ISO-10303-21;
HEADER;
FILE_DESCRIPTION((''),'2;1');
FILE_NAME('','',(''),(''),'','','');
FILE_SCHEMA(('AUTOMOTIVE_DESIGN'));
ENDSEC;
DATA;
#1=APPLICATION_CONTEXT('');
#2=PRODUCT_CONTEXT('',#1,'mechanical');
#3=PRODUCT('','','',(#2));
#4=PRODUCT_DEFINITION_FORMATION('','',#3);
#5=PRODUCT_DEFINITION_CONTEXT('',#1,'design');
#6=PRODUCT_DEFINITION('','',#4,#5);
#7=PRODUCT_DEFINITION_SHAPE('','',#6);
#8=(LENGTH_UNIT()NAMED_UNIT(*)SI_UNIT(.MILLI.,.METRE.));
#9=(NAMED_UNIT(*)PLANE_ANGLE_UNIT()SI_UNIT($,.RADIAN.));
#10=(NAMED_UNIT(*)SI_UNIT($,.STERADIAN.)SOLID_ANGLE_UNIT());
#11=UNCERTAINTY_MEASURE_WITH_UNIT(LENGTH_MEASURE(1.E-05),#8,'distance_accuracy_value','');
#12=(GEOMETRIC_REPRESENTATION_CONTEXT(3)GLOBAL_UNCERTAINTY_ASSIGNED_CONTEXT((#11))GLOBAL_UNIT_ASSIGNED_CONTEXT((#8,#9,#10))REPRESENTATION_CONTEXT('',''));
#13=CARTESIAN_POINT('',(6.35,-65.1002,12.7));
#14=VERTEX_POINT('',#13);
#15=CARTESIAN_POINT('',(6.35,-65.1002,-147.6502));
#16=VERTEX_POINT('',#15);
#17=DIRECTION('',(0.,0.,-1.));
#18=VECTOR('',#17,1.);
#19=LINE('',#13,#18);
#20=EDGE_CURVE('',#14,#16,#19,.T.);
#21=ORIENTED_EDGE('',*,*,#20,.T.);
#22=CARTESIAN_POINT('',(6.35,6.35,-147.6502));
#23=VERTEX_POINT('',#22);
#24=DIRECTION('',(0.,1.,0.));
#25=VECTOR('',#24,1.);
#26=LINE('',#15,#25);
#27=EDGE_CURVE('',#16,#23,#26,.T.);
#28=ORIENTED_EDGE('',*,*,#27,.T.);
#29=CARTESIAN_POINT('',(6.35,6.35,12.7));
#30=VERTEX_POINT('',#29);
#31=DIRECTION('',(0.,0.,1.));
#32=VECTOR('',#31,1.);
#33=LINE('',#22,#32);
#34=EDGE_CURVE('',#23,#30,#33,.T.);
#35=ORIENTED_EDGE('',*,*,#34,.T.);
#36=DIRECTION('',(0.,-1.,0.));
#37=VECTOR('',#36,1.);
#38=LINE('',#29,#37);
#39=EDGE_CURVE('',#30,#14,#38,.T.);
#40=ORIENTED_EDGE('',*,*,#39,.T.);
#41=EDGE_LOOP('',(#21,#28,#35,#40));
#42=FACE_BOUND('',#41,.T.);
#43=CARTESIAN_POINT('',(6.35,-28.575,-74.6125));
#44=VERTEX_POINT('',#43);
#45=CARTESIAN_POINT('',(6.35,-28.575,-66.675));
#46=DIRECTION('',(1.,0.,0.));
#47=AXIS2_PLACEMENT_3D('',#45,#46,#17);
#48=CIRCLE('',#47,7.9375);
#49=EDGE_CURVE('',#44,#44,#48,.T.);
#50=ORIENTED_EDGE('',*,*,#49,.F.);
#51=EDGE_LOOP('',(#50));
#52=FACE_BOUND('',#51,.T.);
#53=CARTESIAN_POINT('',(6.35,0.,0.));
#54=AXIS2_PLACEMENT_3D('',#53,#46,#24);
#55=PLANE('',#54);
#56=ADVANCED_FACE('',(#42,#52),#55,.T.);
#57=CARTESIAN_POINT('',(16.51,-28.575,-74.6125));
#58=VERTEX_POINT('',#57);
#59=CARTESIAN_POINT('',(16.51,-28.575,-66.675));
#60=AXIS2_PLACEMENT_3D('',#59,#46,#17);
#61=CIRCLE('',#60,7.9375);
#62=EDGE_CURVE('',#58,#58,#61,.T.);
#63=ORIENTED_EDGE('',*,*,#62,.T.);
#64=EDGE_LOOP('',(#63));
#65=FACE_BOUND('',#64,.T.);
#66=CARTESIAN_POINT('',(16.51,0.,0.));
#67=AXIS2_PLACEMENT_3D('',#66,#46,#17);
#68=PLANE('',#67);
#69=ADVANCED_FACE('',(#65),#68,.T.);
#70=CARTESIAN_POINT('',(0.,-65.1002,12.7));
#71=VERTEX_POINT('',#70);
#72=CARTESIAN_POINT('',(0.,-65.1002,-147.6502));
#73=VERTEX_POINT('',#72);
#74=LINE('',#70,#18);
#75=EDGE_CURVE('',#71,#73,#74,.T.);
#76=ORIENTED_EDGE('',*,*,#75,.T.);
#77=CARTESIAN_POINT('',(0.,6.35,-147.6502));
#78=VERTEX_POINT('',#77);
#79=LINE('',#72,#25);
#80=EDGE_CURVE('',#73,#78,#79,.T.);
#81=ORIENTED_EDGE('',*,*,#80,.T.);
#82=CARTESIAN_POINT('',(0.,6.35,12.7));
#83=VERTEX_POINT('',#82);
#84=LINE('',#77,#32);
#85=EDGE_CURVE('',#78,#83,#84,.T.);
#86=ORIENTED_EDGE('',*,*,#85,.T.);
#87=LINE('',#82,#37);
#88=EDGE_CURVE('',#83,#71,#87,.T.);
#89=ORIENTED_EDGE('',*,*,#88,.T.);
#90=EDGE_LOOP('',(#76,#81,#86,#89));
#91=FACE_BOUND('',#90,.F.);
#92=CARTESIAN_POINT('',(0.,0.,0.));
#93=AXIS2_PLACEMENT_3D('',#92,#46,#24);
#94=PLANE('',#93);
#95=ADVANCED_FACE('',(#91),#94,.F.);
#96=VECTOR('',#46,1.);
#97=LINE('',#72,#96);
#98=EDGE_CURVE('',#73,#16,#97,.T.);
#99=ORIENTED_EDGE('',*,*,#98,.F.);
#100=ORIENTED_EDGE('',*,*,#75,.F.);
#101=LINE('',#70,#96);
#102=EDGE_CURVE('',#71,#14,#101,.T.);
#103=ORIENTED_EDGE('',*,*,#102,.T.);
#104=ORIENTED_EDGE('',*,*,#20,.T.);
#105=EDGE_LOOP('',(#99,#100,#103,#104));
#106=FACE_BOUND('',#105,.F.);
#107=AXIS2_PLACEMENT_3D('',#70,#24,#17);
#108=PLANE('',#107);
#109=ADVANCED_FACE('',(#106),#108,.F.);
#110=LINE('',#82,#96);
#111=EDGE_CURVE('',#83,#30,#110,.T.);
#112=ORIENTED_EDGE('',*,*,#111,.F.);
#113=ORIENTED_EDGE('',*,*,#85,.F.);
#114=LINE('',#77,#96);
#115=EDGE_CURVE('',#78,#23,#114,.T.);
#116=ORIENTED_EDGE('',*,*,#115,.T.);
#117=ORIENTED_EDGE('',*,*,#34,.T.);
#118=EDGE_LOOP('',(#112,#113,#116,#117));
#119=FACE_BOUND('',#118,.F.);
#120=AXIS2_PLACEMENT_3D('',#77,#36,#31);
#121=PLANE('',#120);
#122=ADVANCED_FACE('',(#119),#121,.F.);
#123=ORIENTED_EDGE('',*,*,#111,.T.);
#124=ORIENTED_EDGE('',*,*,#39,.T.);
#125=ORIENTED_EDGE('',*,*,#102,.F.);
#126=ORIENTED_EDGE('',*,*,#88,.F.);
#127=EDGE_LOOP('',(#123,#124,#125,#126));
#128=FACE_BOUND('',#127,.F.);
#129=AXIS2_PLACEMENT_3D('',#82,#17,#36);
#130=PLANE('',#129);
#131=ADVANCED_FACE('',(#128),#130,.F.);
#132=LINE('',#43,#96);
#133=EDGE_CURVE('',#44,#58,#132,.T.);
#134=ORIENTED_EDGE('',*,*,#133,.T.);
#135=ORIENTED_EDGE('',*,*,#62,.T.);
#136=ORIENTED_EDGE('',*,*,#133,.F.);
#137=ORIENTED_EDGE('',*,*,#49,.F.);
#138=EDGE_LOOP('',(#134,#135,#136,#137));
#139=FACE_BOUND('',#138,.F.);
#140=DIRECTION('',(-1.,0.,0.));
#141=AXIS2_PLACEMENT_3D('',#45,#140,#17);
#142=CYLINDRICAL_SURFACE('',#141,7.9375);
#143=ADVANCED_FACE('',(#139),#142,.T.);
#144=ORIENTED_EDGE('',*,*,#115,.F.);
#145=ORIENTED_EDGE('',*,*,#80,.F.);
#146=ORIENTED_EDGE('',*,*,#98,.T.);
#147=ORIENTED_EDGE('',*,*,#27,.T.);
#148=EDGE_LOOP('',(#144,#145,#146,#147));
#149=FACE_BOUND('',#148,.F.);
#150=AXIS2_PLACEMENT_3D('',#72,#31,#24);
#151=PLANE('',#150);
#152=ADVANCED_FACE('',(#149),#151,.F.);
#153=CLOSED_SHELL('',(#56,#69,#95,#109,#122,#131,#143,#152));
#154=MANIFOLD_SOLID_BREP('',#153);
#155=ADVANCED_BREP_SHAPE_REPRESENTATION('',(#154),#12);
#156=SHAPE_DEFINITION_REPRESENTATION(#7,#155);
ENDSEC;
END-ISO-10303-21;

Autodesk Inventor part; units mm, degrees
ref_plane "YZ Plane" through (0, 0, 0) normal (1, 0, 0) x (0, 1, 0)
ref_plane "XZ Plane" through (0, 0, 0) normal (0, 1, 0) x (-1, 0, 0)
ref_plane "XY Plane" through (0, 0, 0) normal (0, 0, 1) x (1, 0, 0)
sketch "Sketch1" plane through (0, 0, 0) normal (1, 0, 0) x (0, 1, 0)
  line L0 (6.35, 12.7) -> (-65.1002, 12.7)
  line L1 (-65.1002, 12.7) -> (-65.1002, -147.6502)
  line L2 (-65.1002, -147.6502) -> (6.35, -147.6502)
  line L3 (6.35, -147.6502) -> (6.35, 12.7)
  point P0 (0, 0)
  dimension "d0" = 71.4502
  dimension "d1" = 160.3502
extrude "Extrusion1" add sketch "Sketch1" along normal blind 6.35
sketch "Sketch2" plane through (6.35, 0, 0) normal (1, 0, 0) x (0, 0, -1)
  circle A0 centre (66.675, -28.575) radius 7.9375
  point P0 (0, 0)
  dimension "d4" = 15.875
extrude "Extrusion2" add sketch "Sketch2" along normal blind 10.16
properties part number "lid3" material "PMMA Plastic"
